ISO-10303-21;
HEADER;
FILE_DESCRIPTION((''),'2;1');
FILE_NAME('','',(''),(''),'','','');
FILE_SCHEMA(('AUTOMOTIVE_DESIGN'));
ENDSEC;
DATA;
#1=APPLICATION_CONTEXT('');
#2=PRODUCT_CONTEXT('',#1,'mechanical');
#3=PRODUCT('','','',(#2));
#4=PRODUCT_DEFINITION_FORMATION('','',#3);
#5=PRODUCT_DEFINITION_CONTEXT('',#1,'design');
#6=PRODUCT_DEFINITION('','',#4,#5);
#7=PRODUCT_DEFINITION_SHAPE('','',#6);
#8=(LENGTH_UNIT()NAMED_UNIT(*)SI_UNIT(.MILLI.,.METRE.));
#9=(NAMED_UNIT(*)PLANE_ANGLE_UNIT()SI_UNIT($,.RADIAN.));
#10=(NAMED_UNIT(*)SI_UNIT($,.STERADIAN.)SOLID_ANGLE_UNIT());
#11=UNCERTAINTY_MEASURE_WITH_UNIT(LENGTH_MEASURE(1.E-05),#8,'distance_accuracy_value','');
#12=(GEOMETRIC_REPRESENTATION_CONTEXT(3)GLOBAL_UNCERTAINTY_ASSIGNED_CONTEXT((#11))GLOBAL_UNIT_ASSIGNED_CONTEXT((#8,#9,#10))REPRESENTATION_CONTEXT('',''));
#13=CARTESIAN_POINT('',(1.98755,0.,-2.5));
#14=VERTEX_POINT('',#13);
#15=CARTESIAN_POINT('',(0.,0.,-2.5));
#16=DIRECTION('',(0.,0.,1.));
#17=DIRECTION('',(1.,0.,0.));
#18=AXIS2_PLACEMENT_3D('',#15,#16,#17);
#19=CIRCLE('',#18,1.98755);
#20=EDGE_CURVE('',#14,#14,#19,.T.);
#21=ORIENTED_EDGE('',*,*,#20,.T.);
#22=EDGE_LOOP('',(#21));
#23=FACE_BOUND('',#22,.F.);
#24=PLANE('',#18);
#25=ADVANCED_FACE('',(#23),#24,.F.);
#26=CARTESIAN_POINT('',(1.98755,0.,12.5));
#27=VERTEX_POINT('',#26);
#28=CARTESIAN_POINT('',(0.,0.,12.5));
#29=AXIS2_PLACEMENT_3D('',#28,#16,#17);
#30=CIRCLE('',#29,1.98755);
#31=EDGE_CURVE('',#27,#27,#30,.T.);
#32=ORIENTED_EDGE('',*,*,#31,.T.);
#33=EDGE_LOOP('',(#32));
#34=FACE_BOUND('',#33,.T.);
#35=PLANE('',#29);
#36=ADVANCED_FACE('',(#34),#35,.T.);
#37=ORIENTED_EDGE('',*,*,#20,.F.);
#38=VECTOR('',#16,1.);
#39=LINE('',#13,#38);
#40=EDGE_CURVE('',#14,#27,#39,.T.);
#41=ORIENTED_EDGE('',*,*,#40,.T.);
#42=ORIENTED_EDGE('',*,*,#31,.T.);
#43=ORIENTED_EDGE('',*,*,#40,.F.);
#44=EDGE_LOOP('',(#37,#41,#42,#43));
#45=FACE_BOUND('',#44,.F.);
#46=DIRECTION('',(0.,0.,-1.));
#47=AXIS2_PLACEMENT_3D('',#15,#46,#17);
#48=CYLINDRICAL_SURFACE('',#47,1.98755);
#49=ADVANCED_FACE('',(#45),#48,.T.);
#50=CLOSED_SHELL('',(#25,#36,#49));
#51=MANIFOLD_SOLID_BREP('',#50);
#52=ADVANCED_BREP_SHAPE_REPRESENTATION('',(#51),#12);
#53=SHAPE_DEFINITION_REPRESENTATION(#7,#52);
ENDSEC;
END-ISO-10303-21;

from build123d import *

# Parameters (mm, degrees)
CYLINDER_R     = 1.98755
CYLINDER_DEPTH = 15


with BuildPart() as part:
    # Cylinder → Cylinder (new body)
    with BuildSketch(Plane.XY.offset(-2.5)):
        Circle(CYLINDER_R)
    extrude(amount=CYLINDER_DEPTH)


solid = part.part
